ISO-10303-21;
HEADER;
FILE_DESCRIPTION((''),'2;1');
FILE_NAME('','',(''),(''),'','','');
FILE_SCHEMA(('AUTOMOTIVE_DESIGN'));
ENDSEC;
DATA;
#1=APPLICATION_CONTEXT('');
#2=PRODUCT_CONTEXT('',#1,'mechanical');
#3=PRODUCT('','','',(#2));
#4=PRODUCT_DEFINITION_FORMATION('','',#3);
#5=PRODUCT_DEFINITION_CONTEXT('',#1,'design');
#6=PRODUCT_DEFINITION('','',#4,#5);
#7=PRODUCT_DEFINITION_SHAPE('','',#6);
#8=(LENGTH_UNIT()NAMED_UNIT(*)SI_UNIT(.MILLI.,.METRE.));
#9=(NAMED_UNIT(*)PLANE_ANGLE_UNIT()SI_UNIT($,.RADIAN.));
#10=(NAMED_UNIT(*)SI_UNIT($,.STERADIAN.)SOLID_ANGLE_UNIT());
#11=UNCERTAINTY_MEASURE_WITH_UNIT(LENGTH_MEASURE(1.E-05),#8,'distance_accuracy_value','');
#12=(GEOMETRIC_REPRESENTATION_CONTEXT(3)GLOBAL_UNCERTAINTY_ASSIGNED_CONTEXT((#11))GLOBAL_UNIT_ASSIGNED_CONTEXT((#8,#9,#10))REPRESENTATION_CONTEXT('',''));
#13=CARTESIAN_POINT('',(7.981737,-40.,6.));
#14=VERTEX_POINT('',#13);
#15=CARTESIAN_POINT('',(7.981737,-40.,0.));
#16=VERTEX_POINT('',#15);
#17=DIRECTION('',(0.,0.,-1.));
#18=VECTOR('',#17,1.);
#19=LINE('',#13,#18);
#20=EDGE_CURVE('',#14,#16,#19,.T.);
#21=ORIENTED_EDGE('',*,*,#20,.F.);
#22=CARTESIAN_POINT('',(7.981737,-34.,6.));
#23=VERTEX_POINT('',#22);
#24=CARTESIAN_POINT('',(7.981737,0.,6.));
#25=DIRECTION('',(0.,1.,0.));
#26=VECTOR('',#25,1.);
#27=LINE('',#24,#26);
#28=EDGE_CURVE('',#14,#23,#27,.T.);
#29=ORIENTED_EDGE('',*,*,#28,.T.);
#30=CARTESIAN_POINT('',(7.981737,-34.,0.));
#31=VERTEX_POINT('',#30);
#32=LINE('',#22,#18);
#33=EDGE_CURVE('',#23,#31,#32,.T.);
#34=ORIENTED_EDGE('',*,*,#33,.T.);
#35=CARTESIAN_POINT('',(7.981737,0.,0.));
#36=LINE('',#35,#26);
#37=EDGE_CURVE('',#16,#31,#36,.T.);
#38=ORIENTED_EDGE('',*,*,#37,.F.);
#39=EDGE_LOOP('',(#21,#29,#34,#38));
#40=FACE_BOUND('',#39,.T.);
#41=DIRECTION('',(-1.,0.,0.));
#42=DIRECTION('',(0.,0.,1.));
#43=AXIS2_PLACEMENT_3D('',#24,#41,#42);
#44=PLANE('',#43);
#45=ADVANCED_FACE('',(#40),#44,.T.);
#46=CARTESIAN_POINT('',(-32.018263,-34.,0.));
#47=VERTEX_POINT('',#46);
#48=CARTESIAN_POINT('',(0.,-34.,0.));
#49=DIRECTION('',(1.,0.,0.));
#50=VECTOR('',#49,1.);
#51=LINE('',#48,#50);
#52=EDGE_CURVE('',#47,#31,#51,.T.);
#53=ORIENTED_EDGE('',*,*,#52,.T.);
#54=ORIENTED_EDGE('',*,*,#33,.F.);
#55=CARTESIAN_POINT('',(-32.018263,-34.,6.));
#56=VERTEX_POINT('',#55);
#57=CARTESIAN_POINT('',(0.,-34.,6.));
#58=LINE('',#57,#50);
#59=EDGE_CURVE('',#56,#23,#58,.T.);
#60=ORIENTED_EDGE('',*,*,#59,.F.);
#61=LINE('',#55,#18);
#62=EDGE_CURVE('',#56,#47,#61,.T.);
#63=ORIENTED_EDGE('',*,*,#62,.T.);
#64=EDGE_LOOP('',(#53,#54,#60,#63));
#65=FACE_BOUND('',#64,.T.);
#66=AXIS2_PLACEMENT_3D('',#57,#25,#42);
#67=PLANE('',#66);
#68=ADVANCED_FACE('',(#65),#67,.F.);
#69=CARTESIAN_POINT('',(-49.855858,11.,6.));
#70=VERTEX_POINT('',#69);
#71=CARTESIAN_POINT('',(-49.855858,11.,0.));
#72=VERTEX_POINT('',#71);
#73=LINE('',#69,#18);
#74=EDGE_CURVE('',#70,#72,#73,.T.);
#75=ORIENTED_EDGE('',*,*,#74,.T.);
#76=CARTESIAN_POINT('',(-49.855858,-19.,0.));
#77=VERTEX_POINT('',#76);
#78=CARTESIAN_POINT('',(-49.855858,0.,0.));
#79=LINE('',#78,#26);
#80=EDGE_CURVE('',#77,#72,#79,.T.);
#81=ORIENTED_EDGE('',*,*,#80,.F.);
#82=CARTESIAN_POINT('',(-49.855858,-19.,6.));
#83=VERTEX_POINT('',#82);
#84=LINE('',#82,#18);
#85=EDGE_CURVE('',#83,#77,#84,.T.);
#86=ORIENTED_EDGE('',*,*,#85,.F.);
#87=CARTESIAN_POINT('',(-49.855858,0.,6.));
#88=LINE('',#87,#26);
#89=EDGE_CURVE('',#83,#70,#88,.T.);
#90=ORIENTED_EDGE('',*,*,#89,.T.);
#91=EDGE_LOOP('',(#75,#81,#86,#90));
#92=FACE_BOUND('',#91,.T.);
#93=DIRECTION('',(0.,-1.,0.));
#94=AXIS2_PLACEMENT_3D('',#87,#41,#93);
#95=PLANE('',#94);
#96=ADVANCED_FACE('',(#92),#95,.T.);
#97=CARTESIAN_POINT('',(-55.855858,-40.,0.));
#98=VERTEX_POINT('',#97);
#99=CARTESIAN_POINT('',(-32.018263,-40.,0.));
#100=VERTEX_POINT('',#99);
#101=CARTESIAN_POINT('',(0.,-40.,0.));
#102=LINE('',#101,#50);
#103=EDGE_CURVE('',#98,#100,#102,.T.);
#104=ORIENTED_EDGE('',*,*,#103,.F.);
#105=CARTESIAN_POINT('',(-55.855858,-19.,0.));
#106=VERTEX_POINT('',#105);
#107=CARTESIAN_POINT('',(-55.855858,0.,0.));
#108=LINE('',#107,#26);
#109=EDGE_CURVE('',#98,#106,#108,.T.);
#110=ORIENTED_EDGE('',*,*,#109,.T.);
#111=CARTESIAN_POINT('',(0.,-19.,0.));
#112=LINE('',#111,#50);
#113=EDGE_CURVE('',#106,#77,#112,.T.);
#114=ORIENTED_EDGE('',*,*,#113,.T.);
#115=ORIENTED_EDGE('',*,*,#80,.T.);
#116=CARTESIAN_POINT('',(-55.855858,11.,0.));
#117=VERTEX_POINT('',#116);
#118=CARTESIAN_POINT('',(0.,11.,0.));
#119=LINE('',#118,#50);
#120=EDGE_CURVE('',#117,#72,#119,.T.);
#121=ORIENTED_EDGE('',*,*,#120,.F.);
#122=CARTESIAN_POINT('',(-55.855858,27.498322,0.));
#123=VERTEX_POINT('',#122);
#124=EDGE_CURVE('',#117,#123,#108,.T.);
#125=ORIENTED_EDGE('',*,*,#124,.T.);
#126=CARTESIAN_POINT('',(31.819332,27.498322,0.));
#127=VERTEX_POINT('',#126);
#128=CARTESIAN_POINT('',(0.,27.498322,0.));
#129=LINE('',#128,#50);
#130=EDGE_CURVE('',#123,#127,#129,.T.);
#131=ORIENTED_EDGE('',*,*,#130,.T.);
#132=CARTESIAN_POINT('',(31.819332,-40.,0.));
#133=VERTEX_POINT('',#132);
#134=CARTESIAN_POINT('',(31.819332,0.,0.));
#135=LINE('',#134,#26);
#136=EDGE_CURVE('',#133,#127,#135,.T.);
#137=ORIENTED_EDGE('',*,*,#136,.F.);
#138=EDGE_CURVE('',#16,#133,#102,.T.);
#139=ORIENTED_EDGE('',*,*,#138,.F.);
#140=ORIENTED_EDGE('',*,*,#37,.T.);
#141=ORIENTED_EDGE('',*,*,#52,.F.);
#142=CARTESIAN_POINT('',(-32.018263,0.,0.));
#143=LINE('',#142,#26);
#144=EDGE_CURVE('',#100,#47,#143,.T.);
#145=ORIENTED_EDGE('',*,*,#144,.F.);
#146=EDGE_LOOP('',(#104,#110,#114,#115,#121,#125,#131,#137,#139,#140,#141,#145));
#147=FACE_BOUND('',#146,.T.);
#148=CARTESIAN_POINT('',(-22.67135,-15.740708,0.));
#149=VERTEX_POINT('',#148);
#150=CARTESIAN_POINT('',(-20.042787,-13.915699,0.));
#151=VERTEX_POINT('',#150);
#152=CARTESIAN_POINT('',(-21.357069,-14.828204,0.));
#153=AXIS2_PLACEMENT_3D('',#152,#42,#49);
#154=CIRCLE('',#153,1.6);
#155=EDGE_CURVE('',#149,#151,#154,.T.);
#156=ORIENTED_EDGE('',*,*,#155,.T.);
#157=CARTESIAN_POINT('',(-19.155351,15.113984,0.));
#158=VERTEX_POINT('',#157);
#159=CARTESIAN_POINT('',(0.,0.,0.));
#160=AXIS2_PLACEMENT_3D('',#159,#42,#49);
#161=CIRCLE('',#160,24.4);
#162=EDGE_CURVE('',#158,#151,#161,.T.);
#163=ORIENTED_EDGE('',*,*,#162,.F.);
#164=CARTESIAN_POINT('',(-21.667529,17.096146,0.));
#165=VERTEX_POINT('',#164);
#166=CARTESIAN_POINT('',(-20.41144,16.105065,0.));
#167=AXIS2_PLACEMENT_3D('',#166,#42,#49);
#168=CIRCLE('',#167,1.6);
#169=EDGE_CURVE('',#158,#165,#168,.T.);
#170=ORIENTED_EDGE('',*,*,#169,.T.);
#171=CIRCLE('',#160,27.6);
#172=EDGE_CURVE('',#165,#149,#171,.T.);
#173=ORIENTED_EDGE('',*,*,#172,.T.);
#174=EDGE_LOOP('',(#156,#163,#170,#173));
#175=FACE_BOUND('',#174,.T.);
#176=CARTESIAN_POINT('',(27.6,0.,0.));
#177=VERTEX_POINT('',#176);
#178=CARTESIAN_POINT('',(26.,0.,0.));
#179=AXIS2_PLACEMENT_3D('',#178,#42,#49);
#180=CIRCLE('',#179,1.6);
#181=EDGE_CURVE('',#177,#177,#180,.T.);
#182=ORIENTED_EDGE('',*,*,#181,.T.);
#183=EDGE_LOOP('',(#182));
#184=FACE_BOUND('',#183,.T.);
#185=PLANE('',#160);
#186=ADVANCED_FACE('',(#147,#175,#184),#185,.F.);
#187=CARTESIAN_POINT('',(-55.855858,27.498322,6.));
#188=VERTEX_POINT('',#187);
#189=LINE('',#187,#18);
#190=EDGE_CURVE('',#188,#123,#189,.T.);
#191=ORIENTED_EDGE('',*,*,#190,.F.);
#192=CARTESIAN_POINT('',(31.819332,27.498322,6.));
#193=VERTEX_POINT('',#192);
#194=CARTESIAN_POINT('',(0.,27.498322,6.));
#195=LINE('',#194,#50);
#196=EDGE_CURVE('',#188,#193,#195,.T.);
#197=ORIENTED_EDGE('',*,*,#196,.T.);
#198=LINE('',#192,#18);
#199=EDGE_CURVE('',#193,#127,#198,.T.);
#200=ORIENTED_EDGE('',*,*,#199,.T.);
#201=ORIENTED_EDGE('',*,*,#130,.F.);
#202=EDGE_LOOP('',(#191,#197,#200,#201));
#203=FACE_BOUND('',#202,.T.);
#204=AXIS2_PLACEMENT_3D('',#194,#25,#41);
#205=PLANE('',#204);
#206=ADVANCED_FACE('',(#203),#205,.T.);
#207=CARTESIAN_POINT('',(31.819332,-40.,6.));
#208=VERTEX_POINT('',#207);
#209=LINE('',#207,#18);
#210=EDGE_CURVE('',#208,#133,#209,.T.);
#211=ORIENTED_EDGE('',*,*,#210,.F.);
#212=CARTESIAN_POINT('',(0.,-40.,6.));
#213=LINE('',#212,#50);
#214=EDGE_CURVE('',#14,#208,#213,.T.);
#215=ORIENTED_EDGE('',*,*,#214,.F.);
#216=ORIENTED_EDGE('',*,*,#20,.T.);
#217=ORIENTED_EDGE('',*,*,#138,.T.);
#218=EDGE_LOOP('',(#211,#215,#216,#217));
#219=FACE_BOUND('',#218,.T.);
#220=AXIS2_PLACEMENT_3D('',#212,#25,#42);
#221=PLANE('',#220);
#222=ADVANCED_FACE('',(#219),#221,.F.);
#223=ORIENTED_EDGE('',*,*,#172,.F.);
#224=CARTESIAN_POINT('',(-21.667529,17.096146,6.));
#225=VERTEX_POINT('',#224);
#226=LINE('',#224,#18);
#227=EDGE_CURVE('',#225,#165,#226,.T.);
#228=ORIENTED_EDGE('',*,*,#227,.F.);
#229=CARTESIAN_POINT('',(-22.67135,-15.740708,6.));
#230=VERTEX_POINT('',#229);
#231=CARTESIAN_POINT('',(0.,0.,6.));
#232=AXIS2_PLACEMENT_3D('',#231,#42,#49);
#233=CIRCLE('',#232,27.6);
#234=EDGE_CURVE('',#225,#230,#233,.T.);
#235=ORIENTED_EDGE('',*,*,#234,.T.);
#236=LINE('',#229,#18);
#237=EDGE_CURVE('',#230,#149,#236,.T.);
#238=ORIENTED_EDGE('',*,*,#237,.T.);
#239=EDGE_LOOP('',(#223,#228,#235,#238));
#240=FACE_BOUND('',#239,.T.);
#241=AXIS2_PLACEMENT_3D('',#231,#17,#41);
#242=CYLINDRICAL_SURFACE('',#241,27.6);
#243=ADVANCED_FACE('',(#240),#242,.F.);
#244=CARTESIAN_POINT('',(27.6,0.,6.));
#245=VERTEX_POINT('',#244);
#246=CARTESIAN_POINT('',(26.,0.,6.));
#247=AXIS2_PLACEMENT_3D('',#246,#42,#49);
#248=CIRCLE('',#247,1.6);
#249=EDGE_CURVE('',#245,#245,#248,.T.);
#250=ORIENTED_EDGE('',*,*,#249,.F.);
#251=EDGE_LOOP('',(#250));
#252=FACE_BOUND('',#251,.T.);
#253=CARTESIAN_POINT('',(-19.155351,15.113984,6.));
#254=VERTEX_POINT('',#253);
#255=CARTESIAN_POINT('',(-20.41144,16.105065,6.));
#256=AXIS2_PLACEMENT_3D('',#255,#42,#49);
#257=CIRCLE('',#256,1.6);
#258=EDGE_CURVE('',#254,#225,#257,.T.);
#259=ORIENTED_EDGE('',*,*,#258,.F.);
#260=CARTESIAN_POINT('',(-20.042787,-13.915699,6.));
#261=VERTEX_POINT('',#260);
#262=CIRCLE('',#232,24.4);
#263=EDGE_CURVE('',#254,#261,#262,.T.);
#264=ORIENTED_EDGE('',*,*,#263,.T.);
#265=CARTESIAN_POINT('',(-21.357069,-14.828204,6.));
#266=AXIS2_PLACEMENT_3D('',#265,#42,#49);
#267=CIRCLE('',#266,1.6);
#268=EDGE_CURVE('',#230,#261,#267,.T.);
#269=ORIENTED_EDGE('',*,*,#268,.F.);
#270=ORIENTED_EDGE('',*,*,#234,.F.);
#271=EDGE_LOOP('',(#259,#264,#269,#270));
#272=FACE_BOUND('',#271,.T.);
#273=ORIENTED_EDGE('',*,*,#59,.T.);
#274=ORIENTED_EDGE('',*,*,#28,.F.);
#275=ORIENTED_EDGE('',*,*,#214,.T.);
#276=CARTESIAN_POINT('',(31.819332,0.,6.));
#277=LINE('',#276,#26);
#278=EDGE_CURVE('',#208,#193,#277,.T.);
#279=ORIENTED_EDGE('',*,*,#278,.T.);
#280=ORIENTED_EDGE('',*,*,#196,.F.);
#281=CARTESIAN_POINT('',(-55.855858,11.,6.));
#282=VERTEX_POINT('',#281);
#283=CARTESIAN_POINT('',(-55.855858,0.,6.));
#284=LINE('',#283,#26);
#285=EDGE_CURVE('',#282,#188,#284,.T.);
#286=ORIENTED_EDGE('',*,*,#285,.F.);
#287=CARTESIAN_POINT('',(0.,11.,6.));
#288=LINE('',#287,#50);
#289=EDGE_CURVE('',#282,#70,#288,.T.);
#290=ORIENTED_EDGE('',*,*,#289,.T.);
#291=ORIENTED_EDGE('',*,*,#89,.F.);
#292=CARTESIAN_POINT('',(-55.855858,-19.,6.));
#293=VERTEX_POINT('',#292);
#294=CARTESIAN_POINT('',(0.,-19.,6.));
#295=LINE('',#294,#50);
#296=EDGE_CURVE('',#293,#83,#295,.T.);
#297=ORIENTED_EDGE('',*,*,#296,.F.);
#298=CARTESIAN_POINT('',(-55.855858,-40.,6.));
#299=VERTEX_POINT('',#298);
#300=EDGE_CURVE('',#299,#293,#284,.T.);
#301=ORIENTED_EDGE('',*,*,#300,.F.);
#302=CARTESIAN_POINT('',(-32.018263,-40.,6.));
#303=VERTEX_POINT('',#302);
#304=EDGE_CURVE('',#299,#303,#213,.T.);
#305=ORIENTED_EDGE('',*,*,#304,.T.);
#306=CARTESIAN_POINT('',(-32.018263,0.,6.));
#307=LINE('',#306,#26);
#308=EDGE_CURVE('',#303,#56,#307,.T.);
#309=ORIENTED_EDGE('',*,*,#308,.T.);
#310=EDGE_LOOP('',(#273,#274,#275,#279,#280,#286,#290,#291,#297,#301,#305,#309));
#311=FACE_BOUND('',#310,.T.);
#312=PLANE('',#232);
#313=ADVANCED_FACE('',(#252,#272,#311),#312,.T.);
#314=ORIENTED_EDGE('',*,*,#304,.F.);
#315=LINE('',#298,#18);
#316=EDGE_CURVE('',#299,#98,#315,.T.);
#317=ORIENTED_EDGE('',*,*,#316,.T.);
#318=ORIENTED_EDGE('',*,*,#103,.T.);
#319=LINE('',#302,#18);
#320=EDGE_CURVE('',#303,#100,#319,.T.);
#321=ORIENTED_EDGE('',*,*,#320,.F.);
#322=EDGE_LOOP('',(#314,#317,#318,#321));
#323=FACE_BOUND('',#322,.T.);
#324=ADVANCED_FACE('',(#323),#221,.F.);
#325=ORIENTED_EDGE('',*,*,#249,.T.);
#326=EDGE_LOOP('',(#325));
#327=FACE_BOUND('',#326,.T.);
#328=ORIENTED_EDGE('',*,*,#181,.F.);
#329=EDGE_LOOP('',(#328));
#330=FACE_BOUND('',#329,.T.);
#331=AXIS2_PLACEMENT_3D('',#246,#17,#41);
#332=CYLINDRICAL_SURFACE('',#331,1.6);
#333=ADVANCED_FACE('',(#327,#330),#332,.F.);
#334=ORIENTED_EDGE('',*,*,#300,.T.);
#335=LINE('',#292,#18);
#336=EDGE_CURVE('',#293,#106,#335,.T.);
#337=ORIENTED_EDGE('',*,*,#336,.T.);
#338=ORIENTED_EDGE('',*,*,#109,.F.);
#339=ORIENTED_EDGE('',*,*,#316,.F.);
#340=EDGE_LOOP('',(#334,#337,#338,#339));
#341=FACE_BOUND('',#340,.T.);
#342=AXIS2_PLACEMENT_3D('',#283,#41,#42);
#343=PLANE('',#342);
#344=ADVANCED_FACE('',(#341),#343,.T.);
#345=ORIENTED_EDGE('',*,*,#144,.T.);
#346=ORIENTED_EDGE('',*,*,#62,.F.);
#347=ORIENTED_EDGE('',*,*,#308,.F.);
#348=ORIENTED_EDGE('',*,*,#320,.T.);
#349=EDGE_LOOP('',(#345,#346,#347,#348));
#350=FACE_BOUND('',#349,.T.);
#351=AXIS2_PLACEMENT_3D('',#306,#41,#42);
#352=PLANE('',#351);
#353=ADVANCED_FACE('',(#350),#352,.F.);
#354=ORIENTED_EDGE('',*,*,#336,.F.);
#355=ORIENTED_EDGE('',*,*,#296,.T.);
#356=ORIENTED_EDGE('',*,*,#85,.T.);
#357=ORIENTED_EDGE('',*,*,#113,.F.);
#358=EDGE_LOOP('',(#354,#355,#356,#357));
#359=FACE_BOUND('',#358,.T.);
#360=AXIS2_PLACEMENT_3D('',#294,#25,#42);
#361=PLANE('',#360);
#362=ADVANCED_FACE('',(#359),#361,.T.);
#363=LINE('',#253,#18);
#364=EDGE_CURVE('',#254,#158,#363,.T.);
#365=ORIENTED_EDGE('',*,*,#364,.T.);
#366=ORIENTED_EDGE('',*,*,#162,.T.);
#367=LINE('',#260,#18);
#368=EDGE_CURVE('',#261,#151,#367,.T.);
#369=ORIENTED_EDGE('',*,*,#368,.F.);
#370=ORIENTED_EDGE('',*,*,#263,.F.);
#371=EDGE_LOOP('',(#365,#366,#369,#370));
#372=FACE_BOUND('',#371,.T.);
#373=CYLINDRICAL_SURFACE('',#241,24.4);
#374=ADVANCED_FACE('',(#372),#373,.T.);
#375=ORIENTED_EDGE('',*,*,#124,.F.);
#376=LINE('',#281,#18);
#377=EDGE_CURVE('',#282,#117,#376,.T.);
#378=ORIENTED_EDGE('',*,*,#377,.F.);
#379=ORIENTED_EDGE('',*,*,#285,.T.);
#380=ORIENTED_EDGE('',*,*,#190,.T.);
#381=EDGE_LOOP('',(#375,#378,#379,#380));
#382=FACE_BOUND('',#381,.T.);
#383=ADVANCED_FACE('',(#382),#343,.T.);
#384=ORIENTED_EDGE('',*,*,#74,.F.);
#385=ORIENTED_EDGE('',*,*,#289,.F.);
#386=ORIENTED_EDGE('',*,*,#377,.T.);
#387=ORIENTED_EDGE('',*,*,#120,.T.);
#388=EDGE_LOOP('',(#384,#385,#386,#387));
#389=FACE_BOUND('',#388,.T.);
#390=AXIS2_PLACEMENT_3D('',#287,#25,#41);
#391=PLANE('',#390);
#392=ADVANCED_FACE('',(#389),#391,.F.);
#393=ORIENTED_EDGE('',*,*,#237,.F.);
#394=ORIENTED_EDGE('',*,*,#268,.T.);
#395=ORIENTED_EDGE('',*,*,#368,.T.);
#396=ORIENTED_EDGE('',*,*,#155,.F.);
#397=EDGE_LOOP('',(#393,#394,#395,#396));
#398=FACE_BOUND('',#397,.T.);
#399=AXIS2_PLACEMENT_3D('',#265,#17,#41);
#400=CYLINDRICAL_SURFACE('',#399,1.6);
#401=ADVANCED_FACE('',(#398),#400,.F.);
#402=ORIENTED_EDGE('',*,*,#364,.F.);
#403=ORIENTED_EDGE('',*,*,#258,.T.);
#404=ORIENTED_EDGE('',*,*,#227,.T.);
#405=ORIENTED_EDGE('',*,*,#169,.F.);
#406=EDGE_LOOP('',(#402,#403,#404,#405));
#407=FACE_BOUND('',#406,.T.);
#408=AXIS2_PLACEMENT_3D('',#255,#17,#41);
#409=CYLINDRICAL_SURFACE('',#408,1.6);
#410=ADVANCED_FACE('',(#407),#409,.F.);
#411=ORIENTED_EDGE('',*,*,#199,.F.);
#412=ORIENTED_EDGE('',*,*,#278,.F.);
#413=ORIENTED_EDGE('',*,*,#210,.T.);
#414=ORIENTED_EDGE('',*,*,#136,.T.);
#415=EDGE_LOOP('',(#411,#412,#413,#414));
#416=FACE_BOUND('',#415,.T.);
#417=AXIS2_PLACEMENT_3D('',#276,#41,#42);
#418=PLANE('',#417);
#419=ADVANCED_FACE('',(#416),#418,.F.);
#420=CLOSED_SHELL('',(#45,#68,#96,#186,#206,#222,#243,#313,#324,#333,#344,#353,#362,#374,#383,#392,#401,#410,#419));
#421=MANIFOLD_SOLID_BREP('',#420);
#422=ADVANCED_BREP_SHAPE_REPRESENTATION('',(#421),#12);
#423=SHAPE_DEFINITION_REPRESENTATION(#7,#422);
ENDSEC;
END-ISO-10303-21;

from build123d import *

# Parameters (mm, degrees)
SKETCH1_R           = 1.6
BOSS_EXTRUDE1_DEPTH = 6


with BuildPart() as part:
    # Sketch1 → Boss-Extrude1 (new body)
    with BuildSketch(Plane.XY):
        Polygon((-55.855858156, -19), (-55.855858156, -40), (-32.018263016, -40), (-32.018263016, -34), (7.981736984, -34), (7.981736984, -40), (31.819332123, -40), (31.819332123, 27.498322337), (-55.855858156, 27.498322337), (-55.855858156, 11), (-49.855858156, 11), (-49.855858156, -19), align=None)
        with BuildLine():
            ThreePointArc((-26.8550349, -6.369230763), (-27.6, 2.9e-08), (-26.855034887, 6.369230819))
            ThreePointArc((-26.855034887, 6.369230819), (-24.84706156, 12.015969866), (-21.667528577, 17.096145922))
            ThreePointArc((-21.667528577, 17.096145922), (-19.420359041, 17.361153612), (-19.15535135, 15.113984076))
            ThreePointArc((-19.15535135, 15.113984076), (-21.966242856, 10.622813883), (-23.741407682, 5.630769153))
            ThreePointArc((-23.741407682, 5.630769153), (-24.4, 3e-09), (-23.741407684, -5.630769147))
            ThreePointArc((-23.741407684, -5.630769147), (-22.28057337, -9.946660258), (-20.042787404, -13.9156988))
            ThreePointArc((-20.042787404, -13.9156988), (-20.444563705, -16.142484781), (-22.671349686, -15.740708479))
            ThreePointArc((-22.671349686, -15.740708479), (-25.202615761, -11.251140334), (-26.8550349, -6.369230763))
        make_face(mode=Mode.SUBTRACT)
        with Locations((26, 0)):
            Circle(SKETCH1_R, mode=Mode.SUBTRACT)
    extrude(amount=BOSS_EXTRUDE1_DEPTH)


solid = part.part
